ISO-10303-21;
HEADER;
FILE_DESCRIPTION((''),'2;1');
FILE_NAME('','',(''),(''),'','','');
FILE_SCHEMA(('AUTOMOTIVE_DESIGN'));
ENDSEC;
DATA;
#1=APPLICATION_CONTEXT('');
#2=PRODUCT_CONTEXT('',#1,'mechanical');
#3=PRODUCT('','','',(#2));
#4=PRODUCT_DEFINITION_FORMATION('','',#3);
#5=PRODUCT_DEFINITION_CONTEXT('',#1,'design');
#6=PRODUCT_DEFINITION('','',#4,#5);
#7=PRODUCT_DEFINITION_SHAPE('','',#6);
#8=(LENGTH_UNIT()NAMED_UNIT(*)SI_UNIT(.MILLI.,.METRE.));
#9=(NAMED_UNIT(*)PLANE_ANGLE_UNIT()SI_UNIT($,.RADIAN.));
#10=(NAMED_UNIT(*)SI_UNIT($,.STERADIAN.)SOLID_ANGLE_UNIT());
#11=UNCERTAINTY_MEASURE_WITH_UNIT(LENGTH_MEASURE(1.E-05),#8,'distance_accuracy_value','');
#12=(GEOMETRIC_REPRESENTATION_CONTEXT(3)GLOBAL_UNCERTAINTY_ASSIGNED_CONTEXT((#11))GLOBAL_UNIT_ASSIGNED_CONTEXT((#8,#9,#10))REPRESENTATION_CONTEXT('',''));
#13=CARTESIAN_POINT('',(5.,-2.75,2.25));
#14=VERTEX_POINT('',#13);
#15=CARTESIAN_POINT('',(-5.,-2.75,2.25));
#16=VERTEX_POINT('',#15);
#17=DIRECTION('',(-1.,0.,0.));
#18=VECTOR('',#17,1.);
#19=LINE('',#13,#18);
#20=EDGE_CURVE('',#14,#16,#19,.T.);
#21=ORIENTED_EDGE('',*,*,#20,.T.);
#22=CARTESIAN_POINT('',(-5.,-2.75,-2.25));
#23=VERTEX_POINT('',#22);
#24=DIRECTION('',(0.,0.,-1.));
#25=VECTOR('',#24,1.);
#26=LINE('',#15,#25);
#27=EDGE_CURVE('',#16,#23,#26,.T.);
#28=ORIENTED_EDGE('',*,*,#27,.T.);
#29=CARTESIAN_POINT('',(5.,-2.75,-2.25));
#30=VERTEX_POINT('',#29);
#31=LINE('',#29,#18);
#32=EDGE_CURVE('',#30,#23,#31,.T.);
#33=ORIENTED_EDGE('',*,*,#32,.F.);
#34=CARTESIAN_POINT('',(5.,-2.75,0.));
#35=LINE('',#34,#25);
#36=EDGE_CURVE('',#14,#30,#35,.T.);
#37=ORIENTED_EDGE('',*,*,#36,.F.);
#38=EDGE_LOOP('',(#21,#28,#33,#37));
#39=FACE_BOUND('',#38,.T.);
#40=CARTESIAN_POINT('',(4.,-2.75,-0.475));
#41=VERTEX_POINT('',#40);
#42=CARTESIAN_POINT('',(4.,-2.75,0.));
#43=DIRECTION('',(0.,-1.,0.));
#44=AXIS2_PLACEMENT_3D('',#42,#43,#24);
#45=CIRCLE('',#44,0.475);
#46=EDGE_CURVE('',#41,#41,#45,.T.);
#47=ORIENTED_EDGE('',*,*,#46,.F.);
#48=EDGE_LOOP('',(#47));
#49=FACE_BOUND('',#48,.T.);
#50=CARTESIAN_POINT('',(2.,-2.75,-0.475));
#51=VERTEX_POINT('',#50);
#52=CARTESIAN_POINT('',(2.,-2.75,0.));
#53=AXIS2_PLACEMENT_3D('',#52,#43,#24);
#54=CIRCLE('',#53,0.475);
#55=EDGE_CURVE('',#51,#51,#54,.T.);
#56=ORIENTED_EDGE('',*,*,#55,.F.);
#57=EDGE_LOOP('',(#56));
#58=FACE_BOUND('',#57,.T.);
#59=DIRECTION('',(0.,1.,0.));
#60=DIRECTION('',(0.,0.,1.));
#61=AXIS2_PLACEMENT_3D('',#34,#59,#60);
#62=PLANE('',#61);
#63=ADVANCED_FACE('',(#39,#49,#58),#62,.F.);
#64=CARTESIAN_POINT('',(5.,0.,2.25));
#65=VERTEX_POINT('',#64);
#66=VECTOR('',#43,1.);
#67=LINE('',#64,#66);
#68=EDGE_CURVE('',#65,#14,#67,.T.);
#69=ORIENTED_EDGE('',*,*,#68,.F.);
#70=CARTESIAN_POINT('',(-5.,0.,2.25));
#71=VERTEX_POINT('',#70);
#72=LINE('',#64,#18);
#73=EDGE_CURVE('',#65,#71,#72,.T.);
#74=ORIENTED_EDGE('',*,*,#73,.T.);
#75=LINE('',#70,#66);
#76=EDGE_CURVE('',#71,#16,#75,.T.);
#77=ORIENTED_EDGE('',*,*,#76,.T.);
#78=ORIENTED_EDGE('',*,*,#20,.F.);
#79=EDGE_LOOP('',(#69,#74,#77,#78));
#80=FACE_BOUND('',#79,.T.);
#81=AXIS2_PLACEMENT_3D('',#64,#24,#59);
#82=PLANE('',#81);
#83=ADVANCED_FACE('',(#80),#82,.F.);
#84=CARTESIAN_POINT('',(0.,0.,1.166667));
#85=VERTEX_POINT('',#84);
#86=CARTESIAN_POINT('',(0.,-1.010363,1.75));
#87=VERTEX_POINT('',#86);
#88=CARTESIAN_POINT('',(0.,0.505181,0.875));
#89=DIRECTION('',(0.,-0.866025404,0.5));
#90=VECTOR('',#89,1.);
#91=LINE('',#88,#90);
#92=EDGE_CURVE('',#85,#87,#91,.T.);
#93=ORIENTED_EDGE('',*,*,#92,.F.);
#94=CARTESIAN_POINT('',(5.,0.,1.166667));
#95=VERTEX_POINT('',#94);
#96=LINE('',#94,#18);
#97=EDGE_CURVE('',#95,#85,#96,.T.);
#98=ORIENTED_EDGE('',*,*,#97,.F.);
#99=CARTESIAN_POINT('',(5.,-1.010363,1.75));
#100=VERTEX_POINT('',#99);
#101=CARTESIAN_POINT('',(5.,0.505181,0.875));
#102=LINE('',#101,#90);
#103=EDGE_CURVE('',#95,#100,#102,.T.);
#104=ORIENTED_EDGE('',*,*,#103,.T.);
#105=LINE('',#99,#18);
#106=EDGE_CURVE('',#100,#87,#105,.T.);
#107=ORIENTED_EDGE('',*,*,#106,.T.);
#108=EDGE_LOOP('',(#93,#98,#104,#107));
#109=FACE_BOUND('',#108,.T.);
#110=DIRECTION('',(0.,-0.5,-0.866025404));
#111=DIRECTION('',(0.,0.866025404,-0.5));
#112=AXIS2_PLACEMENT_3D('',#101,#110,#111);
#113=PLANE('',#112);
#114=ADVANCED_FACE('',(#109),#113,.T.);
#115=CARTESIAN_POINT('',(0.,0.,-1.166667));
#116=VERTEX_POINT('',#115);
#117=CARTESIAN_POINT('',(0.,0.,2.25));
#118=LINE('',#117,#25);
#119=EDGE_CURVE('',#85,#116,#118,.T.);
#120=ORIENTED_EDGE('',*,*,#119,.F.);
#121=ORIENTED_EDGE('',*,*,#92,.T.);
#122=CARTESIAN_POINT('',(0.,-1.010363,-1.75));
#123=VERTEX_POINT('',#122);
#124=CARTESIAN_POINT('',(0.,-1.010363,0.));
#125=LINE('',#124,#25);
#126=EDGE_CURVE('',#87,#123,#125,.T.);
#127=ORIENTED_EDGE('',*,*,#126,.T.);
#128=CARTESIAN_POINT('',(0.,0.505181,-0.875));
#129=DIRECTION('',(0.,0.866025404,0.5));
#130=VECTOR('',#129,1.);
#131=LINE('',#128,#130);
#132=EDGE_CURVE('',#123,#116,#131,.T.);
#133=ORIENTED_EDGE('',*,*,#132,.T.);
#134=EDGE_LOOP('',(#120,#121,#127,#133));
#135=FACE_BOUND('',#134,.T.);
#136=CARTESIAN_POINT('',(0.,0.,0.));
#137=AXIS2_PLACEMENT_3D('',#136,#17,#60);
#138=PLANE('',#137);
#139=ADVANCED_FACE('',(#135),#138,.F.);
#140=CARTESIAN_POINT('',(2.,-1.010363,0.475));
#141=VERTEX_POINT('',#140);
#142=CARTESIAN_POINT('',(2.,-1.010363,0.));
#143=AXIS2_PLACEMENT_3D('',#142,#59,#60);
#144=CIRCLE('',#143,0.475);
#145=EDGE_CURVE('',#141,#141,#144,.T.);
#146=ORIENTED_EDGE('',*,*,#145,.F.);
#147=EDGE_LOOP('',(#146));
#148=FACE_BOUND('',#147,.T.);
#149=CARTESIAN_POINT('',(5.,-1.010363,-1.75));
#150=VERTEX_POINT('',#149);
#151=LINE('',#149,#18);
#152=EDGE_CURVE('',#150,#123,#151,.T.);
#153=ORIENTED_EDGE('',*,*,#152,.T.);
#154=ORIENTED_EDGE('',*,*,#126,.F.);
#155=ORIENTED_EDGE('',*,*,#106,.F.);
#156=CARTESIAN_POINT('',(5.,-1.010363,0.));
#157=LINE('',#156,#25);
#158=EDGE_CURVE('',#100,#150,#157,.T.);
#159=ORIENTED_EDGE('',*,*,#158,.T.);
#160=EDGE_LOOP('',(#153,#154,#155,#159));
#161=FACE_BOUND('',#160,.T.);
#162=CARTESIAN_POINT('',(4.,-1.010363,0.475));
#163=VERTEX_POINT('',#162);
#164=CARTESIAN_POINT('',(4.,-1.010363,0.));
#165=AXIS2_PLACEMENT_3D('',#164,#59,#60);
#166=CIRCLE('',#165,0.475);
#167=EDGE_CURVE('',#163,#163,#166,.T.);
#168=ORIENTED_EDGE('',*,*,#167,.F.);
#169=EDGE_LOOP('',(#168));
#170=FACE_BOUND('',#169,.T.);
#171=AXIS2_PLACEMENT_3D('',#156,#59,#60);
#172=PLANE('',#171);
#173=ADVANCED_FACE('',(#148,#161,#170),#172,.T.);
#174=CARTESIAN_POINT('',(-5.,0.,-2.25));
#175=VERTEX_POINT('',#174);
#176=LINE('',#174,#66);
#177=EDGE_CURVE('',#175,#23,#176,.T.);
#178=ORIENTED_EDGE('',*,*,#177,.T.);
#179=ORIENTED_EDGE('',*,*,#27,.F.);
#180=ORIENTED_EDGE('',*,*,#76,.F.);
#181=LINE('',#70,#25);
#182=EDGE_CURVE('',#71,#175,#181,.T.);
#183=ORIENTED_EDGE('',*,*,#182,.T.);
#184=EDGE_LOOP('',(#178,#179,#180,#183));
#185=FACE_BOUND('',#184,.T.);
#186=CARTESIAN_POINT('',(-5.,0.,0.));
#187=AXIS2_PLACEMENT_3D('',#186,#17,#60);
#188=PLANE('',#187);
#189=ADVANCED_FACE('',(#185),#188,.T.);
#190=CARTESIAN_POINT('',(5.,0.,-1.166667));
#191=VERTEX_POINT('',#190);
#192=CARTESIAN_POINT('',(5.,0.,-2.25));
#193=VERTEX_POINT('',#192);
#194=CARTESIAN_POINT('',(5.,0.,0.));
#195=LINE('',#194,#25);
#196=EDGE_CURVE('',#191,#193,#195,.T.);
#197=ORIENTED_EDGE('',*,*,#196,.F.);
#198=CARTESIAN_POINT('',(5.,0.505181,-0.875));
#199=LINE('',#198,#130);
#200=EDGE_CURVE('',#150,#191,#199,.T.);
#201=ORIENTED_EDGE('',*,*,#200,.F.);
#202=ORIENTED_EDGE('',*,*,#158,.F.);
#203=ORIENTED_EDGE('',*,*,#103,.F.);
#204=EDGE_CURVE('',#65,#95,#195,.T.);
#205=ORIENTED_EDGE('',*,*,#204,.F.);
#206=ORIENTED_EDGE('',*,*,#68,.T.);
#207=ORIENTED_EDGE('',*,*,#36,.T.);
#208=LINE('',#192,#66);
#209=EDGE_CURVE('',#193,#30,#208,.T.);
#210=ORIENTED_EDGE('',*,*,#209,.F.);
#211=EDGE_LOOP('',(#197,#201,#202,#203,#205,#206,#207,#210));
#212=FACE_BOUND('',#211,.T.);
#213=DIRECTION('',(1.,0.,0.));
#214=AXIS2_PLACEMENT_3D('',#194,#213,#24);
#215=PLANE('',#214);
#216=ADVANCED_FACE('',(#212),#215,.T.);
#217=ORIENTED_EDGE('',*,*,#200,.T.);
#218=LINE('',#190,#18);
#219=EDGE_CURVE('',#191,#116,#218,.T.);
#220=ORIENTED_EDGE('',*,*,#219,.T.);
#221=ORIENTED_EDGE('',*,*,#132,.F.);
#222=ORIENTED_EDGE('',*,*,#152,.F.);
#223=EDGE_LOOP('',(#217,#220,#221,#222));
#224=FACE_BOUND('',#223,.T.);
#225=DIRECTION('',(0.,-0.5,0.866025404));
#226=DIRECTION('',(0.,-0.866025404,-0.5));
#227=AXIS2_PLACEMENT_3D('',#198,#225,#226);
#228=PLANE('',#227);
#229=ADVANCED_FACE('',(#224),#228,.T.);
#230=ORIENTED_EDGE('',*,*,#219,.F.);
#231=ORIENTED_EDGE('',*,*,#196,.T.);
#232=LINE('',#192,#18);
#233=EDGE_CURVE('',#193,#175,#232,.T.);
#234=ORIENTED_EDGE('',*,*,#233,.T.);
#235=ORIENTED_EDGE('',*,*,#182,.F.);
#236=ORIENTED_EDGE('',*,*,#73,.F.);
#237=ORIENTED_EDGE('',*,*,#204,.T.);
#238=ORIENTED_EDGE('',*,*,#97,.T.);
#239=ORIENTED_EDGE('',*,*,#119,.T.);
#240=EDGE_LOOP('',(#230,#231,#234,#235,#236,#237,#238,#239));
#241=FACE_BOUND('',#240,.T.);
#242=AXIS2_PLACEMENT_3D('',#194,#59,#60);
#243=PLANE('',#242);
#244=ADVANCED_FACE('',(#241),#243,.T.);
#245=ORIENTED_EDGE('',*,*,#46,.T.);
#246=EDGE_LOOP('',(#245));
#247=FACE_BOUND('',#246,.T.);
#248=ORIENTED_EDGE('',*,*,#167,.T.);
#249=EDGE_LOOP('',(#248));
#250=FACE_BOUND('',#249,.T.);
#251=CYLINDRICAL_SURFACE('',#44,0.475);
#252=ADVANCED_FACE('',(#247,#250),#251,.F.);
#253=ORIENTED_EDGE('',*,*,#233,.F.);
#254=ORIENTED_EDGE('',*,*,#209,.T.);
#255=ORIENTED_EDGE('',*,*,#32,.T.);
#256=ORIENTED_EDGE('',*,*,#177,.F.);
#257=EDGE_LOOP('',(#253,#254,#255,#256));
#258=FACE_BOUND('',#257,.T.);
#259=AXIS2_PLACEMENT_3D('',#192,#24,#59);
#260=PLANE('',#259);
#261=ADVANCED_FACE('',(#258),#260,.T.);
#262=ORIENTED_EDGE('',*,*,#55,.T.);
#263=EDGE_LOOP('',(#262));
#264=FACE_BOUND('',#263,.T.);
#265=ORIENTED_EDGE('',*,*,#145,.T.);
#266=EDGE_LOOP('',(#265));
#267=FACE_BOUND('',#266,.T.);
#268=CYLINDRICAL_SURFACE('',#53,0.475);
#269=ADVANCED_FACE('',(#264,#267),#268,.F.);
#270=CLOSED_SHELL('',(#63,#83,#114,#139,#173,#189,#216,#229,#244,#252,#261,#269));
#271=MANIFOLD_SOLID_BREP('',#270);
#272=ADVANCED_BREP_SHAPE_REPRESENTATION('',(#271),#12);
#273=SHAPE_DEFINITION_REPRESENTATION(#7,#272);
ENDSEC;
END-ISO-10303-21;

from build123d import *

# Parameters (mm, degrees)
BOSS_EXTRUDE1_DEPTH                = 5
BASE_SKETCH_4_W                    = 4.5
BASE_SKETCH_4_H                    = 2.75
BOSS_EXTRUDE2_DEPTH                = 5
TAP_DRILL_FOR_M1_2X0_25_TAP1_D     = 0.95
TAP_DRILL_FOR_M1_2X0_25_TAP1_DEPTH = 1.739637029


with BuildPart() as part:
    # base_sketch<3> → Boss-Extrude1 (new body)
    with BuildSketch(Plane(origin=(0, 0, 0), x_dir=(0, 0, -1), z_dir=(1, 0, 0))):
        Polygon((-1.75, -1.010362971), (-1.166666667, 0), (-2.25, 0), (-2.25, -2.75), (2.25, -2.75), (2.25, 0), (1.166666667, 0), (1.75, -1.010362971), align=None)
    extrude(amount=BOSS_EXTRUDE1_DEPTH)

    # base_sketch<4> → Boss-Extrude2 (add)
    with BuildSketch(Plane(origin=(0, 0, 0), x_dir=(0, 0, -1), z_dir=(1, 0, 0))):
        with Locations((0, -1.375)):
            Rectangle(BASE_SKETCH_4_W, BASE_SKETCH_4_H)
    extrude(amount=-BOSS_EXTRUDE2_DEPTH)

    # Tap Drill for M1.2x0.25 Tap1
    with Locations(Plane(origin=(0, -2.75, 0), x_dir=(-1, 0, 0), z_dir=(0, -1, 0))):
        with Locations((-4, 0), (-2, 0)):
            Hole(TAP_DRILL_FOR_M1_2X0_25_TAP1_D / 2, depth=TAP_DRILL_FOR_M1_2X0_25_TAP1_DEPTH)


solid = part.part
